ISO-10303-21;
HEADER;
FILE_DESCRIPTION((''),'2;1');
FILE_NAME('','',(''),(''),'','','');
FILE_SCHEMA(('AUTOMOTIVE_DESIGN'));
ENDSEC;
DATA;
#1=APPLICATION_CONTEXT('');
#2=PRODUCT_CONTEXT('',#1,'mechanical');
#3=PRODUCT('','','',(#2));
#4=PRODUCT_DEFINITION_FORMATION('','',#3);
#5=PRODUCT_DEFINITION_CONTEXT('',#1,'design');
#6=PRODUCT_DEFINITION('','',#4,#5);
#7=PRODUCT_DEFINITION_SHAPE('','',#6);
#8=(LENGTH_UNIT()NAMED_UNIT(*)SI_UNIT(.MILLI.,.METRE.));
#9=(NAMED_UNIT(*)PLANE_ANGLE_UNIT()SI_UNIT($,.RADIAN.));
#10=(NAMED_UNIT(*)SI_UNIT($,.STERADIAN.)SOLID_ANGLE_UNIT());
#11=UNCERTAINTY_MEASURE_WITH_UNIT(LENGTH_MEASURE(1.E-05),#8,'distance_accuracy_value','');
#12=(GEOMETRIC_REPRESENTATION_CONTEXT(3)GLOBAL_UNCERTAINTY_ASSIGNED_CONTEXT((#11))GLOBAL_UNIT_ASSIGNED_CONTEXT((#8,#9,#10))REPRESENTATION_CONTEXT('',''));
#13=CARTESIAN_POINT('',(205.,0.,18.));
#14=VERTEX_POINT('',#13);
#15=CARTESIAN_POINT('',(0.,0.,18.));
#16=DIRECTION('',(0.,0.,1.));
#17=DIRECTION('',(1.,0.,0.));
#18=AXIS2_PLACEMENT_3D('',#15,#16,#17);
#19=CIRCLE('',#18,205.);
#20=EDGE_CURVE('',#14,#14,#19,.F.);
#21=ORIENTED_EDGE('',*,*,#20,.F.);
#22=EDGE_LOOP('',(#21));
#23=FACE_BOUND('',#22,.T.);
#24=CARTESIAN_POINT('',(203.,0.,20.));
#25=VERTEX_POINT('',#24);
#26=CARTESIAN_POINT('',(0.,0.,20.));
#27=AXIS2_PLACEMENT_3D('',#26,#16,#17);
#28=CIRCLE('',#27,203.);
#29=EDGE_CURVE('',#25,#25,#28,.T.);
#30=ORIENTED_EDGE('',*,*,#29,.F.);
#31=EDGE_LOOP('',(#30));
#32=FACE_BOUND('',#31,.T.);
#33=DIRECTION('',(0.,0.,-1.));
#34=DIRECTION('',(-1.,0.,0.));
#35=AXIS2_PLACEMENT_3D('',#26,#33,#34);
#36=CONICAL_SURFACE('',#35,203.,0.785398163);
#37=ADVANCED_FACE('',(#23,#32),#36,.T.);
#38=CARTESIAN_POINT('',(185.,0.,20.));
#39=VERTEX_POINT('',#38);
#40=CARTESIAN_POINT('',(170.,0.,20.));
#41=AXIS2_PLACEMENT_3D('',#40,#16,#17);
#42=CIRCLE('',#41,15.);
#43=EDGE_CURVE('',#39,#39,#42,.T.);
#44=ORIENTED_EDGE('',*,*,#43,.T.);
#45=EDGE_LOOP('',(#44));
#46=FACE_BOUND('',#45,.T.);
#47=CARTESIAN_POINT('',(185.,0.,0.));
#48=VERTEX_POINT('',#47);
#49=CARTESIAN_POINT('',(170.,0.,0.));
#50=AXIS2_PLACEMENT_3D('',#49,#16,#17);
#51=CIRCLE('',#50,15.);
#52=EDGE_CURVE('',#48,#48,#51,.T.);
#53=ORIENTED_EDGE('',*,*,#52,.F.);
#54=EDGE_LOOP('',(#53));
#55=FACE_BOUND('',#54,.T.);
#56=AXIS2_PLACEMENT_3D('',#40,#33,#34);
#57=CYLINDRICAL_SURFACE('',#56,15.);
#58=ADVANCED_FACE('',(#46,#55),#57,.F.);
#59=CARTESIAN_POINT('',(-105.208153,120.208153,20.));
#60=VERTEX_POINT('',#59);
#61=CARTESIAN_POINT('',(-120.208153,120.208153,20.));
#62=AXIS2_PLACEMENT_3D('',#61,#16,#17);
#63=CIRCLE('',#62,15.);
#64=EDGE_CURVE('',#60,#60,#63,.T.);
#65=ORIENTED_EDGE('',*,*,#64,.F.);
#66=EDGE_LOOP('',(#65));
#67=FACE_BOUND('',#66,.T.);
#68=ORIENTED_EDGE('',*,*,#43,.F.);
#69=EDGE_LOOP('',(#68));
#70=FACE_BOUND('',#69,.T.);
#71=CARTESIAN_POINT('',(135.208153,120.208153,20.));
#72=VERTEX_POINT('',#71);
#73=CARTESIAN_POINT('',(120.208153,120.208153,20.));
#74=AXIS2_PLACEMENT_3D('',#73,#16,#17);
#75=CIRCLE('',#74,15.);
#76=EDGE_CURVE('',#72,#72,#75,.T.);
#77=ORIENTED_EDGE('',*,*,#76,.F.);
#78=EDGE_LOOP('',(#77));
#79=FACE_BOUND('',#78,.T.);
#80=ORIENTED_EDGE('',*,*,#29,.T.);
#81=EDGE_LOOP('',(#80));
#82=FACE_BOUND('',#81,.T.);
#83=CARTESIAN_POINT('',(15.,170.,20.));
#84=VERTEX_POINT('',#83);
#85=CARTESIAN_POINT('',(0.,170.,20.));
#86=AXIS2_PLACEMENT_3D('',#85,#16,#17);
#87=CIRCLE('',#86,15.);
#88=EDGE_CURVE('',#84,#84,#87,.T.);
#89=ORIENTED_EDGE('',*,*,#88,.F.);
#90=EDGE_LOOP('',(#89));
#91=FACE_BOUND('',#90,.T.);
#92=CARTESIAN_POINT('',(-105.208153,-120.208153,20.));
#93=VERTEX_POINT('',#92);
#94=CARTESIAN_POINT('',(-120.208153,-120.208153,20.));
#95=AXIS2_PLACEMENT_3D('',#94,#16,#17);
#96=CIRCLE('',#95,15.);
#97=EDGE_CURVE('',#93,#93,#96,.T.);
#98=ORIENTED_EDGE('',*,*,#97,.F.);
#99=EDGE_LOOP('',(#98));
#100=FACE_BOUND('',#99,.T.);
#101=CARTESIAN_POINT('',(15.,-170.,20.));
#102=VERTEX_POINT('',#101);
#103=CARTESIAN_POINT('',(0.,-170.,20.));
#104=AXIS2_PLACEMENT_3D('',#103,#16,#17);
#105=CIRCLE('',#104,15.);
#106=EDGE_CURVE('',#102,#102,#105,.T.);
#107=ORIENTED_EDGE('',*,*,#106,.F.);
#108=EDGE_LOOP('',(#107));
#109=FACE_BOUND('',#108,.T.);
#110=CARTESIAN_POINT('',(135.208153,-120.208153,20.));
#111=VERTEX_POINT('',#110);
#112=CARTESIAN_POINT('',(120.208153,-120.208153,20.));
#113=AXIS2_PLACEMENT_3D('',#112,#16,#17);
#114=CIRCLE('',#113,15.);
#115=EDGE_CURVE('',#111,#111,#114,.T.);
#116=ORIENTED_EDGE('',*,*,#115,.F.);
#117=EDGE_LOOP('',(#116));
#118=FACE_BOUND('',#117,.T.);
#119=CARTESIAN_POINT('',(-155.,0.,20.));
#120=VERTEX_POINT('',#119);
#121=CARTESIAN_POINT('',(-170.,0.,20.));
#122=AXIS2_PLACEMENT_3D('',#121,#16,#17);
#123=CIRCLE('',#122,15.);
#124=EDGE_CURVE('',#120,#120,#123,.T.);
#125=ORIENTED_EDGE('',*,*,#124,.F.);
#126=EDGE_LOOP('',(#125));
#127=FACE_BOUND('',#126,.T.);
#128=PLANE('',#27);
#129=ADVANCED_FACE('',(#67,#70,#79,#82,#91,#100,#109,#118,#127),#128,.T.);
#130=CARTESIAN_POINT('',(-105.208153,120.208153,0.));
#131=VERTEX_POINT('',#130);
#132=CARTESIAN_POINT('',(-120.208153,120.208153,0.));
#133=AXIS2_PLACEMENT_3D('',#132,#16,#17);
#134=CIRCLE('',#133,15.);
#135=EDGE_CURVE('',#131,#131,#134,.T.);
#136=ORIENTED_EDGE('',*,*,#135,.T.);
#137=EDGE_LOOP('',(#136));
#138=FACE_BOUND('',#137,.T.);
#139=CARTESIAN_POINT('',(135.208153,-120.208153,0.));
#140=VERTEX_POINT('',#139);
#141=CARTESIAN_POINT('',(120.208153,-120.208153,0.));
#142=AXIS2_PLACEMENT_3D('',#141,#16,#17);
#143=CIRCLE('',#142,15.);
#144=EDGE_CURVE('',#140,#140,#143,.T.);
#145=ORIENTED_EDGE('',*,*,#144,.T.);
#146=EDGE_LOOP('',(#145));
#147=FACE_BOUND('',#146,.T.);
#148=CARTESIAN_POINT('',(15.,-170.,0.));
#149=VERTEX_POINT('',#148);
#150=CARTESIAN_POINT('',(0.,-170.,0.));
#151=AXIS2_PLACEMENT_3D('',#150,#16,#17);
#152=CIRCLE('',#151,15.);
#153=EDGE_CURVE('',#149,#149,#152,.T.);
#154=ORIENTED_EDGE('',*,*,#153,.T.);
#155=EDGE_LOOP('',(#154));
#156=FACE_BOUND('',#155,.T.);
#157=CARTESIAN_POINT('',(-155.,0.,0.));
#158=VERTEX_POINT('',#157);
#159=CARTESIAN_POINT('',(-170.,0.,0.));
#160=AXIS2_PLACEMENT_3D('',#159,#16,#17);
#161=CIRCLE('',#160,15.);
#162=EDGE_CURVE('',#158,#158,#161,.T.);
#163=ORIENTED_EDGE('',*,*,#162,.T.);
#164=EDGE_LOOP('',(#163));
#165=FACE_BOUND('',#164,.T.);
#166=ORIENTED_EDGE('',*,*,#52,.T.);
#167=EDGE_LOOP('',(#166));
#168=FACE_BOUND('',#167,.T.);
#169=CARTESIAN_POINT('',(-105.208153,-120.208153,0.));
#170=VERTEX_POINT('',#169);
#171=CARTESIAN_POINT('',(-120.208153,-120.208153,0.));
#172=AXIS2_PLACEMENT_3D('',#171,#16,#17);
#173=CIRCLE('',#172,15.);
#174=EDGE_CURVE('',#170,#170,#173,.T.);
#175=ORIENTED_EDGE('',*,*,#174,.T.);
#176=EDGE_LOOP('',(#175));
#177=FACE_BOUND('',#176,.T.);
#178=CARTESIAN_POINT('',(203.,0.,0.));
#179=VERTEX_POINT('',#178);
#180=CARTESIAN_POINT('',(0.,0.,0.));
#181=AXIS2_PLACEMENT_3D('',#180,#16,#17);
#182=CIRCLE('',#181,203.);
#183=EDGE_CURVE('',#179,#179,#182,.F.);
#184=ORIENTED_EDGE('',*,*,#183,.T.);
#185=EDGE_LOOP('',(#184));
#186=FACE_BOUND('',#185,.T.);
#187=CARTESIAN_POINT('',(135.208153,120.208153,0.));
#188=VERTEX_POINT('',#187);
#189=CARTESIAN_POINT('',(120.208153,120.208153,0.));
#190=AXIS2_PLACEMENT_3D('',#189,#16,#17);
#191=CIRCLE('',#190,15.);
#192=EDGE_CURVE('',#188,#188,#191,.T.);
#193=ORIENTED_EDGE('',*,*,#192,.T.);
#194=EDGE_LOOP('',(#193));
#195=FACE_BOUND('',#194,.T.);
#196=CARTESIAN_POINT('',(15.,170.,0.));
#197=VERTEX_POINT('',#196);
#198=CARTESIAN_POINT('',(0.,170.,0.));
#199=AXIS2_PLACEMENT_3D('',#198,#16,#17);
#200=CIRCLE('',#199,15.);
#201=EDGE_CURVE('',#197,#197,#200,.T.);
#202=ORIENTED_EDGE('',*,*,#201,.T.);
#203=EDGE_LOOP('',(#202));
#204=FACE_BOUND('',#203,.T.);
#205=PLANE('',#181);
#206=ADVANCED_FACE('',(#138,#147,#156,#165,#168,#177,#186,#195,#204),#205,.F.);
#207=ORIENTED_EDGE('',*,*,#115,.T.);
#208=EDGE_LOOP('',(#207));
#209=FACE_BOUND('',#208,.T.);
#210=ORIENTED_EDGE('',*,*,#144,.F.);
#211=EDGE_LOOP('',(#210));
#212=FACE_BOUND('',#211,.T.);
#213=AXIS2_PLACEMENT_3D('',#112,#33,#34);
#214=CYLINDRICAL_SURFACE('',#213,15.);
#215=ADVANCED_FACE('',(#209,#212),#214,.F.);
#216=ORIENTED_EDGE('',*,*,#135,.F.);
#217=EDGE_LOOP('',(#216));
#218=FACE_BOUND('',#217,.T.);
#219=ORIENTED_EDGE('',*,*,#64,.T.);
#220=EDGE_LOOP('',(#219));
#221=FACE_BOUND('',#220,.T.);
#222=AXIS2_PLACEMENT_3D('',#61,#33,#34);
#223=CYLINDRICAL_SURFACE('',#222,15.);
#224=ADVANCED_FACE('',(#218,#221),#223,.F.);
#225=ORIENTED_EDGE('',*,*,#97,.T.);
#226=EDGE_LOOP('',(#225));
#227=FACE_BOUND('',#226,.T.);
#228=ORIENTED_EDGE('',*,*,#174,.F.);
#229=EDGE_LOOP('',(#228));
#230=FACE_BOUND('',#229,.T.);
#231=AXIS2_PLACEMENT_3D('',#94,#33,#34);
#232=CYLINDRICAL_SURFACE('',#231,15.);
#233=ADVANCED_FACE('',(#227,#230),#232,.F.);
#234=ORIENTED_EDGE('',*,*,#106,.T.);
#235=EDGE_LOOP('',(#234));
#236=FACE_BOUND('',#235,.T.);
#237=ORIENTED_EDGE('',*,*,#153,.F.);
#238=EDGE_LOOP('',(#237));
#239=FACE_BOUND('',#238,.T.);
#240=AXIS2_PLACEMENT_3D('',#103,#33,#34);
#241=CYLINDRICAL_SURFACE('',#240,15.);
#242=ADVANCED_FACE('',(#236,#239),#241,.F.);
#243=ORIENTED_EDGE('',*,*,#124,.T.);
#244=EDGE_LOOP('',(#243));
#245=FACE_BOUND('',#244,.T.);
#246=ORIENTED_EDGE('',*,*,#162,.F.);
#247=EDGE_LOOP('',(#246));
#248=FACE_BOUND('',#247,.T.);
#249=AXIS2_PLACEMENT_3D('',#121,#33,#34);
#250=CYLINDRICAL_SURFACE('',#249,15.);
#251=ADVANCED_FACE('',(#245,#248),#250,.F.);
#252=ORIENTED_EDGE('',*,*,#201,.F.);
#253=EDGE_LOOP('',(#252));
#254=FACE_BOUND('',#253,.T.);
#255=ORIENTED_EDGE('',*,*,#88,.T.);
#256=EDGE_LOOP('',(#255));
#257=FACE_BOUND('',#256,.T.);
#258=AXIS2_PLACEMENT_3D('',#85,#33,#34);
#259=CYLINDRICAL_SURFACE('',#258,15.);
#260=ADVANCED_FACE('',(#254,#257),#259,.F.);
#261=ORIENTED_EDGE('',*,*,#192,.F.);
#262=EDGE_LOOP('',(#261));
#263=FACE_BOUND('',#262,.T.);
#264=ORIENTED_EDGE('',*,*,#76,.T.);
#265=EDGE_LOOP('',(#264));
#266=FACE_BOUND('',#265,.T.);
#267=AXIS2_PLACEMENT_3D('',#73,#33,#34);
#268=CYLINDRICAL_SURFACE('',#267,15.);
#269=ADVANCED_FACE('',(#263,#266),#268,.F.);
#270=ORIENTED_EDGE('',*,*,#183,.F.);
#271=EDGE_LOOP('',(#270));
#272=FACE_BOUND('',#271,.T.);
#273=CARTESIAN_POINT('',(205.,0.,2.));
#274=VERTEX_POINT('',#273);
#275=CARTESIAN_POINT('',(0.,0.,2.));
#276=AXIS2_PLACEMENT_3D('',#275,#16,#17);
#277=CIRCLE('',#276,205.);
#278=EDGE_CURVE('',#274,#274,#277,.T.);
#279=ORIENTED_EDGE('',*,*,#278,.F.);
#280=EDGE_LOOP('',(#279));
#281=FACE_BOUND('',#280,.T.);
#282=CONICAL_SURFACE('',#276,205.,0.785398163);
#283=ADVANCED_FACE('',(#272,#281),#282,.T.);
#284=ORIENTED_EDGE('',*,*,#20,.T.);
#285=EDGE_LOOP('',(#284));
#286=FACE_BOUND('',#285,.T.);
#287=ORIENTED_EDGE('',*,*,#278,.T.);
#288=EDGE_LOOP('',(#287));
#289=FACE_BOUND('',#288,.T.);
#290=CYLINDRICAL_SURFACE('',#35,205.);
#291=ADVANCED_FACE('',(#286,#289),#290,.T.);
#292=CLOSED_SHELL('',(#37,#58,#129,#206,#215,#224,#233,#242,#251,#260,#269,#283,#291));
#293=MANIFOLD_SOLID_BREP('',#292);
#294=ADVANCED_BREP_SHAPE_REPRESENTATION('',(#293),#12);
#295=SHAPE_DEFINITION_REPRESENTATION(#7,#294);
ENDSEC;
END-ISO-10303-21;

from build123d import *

# Parameters (mm, degrees)
SKETCH1_R           = 205
SKETCH1_R_2         = 15
BOSS_EXTRUDE1_DEPTH = 20
CHAMFER1_SIZE       = 2


with BuildPart() as part:
    # Sketch1 → Boss-Extrude1 (new body)
    with BuildSketch(Plane.XY):
        Circle(SKETCH1_R)
        with Locations((0, 170)):
            Circle(SKETCH1_R_2, mode=Mode.SUBTRACT)
        with Locations((120.208152802, 120.208152802)):
            Circle(SKETCH1_R_2, mode=Mode.SUBTRACT)
        with Locations((170, 0)):
            Circle(SKETCH1_R_2, mode=Mode.SUBTRACT)
        with Locations((120.208152802, -120.208152802)):
            Circle(SKETCH1_R_2, mode=Mode.SUBTRACT)
        with Locations((0, -170)):
            Circle(SKETCH1_R_2, mode=Mode.SUBTRACT)
        with Locations((-120.208152802, -120.208152802)):
            Circle(SKETCH1_R_2, mode=Mode.SUBTRACT)
        with Locations((-170, 0)):
            Circle(SKETCH1_R_2, mode=Mode.SUBTRACT)
        with Locations((-120.208152802, 120.208152802)):
            Circle(SKETCH1_R_2, mode=Mode.SUBTRACT)
    extrude(amount=BOSS_EXTRUDE1_DEPTH)

    # Chamfer1
    chamfer1_edges = [part.edges().sort_by_distance(p)[0] for p in [
        (-205, 0, 0),
        (-205, 0, 20),
    ]]
    chamfer(chamfer1_edges, length=CHAMFER1_SIZE)


solid = part.part
